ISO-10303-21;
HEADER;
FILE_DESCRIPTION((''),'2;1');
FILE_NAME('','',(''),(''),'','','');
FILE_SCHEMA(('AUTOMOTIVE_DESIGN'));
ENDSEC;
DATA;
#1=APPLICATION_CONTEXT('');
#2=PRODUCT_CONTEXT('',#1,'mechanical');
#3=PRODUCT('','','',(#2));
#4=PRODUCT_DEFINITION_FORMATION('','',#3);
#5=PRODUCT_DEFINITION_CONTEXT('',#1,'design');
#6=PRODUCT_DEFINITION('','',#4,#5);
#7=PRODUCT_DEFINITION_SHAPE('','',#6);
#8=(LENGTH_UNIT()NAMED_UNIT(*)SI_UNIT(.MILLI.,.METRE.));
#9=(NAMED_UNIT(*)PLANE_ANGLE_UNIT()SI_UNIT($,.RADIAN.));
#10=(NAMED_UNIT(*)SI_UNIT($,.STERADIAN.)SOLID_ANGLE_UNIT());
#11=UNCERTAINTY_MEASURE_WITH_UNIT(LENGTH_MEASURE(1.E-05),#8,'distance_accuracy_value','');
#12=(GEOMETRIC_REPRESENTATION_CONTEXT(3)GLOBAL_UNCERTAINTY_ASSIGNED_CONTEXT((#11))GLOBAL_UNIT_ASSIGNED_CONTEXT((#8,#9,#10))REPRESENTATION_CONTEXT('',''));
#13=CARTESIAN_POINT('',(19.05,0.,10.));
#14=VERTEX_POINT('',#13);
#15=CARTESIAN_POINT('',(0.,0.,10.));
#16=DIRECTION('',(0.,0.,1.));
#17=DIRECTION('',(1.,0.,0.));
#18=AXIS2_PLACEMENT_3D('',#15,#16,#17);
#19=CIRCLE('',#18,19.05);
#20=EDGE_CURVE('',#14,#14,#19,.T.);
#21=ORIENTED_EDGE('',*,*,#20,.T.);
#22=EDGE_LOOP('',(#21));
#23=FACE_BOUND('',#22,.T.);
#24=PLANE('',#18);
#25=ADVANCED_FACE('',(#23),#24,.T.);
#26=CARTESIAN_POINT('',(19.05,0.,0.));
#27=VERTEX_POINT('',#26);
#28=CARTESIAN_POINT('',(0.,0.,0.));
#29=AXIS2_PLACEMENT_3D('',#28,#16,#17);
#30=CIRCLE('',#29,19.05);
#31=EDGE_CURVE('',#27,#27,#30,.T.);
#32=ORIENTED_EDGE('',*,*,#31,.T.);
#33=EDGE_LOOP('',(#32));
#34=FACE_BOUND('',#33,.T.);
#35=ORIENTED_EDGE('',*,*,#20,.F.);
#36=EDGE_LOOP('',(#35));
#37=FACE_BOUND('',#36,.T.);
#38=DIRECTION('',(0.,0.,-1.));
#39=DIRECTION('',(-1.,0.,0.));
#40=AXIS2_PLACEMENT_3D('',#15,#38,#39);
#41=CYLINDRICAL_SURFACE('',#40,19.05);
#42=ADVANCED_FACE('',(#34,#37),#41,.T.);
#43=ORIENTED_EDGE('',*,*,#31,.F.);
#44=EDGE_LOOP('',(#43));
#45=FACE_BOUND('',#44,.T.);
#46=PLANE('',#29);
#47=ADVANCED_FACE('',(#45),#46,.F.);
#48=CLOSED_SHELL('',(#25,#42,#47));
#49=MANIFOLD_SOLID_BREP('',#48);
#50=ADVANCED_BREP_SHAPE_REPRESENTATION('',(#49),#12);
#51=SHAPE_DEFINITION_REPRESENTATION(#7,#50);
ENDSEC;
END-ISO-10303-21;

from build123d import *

# Parameters (mm, degrees)
SKETCH_1_R      = 19.05
EXTRUDE_1_DEPTH = 10


with BuildPart() as part:
    # 草图1 → 凸台-拉伸1 (new body)
    with BuildSketch(Plane.XY):
        Circle(SKETCH_1_R)
    extrude(amount=EXTRUDE_1_DEPTH)


solid = part.part
